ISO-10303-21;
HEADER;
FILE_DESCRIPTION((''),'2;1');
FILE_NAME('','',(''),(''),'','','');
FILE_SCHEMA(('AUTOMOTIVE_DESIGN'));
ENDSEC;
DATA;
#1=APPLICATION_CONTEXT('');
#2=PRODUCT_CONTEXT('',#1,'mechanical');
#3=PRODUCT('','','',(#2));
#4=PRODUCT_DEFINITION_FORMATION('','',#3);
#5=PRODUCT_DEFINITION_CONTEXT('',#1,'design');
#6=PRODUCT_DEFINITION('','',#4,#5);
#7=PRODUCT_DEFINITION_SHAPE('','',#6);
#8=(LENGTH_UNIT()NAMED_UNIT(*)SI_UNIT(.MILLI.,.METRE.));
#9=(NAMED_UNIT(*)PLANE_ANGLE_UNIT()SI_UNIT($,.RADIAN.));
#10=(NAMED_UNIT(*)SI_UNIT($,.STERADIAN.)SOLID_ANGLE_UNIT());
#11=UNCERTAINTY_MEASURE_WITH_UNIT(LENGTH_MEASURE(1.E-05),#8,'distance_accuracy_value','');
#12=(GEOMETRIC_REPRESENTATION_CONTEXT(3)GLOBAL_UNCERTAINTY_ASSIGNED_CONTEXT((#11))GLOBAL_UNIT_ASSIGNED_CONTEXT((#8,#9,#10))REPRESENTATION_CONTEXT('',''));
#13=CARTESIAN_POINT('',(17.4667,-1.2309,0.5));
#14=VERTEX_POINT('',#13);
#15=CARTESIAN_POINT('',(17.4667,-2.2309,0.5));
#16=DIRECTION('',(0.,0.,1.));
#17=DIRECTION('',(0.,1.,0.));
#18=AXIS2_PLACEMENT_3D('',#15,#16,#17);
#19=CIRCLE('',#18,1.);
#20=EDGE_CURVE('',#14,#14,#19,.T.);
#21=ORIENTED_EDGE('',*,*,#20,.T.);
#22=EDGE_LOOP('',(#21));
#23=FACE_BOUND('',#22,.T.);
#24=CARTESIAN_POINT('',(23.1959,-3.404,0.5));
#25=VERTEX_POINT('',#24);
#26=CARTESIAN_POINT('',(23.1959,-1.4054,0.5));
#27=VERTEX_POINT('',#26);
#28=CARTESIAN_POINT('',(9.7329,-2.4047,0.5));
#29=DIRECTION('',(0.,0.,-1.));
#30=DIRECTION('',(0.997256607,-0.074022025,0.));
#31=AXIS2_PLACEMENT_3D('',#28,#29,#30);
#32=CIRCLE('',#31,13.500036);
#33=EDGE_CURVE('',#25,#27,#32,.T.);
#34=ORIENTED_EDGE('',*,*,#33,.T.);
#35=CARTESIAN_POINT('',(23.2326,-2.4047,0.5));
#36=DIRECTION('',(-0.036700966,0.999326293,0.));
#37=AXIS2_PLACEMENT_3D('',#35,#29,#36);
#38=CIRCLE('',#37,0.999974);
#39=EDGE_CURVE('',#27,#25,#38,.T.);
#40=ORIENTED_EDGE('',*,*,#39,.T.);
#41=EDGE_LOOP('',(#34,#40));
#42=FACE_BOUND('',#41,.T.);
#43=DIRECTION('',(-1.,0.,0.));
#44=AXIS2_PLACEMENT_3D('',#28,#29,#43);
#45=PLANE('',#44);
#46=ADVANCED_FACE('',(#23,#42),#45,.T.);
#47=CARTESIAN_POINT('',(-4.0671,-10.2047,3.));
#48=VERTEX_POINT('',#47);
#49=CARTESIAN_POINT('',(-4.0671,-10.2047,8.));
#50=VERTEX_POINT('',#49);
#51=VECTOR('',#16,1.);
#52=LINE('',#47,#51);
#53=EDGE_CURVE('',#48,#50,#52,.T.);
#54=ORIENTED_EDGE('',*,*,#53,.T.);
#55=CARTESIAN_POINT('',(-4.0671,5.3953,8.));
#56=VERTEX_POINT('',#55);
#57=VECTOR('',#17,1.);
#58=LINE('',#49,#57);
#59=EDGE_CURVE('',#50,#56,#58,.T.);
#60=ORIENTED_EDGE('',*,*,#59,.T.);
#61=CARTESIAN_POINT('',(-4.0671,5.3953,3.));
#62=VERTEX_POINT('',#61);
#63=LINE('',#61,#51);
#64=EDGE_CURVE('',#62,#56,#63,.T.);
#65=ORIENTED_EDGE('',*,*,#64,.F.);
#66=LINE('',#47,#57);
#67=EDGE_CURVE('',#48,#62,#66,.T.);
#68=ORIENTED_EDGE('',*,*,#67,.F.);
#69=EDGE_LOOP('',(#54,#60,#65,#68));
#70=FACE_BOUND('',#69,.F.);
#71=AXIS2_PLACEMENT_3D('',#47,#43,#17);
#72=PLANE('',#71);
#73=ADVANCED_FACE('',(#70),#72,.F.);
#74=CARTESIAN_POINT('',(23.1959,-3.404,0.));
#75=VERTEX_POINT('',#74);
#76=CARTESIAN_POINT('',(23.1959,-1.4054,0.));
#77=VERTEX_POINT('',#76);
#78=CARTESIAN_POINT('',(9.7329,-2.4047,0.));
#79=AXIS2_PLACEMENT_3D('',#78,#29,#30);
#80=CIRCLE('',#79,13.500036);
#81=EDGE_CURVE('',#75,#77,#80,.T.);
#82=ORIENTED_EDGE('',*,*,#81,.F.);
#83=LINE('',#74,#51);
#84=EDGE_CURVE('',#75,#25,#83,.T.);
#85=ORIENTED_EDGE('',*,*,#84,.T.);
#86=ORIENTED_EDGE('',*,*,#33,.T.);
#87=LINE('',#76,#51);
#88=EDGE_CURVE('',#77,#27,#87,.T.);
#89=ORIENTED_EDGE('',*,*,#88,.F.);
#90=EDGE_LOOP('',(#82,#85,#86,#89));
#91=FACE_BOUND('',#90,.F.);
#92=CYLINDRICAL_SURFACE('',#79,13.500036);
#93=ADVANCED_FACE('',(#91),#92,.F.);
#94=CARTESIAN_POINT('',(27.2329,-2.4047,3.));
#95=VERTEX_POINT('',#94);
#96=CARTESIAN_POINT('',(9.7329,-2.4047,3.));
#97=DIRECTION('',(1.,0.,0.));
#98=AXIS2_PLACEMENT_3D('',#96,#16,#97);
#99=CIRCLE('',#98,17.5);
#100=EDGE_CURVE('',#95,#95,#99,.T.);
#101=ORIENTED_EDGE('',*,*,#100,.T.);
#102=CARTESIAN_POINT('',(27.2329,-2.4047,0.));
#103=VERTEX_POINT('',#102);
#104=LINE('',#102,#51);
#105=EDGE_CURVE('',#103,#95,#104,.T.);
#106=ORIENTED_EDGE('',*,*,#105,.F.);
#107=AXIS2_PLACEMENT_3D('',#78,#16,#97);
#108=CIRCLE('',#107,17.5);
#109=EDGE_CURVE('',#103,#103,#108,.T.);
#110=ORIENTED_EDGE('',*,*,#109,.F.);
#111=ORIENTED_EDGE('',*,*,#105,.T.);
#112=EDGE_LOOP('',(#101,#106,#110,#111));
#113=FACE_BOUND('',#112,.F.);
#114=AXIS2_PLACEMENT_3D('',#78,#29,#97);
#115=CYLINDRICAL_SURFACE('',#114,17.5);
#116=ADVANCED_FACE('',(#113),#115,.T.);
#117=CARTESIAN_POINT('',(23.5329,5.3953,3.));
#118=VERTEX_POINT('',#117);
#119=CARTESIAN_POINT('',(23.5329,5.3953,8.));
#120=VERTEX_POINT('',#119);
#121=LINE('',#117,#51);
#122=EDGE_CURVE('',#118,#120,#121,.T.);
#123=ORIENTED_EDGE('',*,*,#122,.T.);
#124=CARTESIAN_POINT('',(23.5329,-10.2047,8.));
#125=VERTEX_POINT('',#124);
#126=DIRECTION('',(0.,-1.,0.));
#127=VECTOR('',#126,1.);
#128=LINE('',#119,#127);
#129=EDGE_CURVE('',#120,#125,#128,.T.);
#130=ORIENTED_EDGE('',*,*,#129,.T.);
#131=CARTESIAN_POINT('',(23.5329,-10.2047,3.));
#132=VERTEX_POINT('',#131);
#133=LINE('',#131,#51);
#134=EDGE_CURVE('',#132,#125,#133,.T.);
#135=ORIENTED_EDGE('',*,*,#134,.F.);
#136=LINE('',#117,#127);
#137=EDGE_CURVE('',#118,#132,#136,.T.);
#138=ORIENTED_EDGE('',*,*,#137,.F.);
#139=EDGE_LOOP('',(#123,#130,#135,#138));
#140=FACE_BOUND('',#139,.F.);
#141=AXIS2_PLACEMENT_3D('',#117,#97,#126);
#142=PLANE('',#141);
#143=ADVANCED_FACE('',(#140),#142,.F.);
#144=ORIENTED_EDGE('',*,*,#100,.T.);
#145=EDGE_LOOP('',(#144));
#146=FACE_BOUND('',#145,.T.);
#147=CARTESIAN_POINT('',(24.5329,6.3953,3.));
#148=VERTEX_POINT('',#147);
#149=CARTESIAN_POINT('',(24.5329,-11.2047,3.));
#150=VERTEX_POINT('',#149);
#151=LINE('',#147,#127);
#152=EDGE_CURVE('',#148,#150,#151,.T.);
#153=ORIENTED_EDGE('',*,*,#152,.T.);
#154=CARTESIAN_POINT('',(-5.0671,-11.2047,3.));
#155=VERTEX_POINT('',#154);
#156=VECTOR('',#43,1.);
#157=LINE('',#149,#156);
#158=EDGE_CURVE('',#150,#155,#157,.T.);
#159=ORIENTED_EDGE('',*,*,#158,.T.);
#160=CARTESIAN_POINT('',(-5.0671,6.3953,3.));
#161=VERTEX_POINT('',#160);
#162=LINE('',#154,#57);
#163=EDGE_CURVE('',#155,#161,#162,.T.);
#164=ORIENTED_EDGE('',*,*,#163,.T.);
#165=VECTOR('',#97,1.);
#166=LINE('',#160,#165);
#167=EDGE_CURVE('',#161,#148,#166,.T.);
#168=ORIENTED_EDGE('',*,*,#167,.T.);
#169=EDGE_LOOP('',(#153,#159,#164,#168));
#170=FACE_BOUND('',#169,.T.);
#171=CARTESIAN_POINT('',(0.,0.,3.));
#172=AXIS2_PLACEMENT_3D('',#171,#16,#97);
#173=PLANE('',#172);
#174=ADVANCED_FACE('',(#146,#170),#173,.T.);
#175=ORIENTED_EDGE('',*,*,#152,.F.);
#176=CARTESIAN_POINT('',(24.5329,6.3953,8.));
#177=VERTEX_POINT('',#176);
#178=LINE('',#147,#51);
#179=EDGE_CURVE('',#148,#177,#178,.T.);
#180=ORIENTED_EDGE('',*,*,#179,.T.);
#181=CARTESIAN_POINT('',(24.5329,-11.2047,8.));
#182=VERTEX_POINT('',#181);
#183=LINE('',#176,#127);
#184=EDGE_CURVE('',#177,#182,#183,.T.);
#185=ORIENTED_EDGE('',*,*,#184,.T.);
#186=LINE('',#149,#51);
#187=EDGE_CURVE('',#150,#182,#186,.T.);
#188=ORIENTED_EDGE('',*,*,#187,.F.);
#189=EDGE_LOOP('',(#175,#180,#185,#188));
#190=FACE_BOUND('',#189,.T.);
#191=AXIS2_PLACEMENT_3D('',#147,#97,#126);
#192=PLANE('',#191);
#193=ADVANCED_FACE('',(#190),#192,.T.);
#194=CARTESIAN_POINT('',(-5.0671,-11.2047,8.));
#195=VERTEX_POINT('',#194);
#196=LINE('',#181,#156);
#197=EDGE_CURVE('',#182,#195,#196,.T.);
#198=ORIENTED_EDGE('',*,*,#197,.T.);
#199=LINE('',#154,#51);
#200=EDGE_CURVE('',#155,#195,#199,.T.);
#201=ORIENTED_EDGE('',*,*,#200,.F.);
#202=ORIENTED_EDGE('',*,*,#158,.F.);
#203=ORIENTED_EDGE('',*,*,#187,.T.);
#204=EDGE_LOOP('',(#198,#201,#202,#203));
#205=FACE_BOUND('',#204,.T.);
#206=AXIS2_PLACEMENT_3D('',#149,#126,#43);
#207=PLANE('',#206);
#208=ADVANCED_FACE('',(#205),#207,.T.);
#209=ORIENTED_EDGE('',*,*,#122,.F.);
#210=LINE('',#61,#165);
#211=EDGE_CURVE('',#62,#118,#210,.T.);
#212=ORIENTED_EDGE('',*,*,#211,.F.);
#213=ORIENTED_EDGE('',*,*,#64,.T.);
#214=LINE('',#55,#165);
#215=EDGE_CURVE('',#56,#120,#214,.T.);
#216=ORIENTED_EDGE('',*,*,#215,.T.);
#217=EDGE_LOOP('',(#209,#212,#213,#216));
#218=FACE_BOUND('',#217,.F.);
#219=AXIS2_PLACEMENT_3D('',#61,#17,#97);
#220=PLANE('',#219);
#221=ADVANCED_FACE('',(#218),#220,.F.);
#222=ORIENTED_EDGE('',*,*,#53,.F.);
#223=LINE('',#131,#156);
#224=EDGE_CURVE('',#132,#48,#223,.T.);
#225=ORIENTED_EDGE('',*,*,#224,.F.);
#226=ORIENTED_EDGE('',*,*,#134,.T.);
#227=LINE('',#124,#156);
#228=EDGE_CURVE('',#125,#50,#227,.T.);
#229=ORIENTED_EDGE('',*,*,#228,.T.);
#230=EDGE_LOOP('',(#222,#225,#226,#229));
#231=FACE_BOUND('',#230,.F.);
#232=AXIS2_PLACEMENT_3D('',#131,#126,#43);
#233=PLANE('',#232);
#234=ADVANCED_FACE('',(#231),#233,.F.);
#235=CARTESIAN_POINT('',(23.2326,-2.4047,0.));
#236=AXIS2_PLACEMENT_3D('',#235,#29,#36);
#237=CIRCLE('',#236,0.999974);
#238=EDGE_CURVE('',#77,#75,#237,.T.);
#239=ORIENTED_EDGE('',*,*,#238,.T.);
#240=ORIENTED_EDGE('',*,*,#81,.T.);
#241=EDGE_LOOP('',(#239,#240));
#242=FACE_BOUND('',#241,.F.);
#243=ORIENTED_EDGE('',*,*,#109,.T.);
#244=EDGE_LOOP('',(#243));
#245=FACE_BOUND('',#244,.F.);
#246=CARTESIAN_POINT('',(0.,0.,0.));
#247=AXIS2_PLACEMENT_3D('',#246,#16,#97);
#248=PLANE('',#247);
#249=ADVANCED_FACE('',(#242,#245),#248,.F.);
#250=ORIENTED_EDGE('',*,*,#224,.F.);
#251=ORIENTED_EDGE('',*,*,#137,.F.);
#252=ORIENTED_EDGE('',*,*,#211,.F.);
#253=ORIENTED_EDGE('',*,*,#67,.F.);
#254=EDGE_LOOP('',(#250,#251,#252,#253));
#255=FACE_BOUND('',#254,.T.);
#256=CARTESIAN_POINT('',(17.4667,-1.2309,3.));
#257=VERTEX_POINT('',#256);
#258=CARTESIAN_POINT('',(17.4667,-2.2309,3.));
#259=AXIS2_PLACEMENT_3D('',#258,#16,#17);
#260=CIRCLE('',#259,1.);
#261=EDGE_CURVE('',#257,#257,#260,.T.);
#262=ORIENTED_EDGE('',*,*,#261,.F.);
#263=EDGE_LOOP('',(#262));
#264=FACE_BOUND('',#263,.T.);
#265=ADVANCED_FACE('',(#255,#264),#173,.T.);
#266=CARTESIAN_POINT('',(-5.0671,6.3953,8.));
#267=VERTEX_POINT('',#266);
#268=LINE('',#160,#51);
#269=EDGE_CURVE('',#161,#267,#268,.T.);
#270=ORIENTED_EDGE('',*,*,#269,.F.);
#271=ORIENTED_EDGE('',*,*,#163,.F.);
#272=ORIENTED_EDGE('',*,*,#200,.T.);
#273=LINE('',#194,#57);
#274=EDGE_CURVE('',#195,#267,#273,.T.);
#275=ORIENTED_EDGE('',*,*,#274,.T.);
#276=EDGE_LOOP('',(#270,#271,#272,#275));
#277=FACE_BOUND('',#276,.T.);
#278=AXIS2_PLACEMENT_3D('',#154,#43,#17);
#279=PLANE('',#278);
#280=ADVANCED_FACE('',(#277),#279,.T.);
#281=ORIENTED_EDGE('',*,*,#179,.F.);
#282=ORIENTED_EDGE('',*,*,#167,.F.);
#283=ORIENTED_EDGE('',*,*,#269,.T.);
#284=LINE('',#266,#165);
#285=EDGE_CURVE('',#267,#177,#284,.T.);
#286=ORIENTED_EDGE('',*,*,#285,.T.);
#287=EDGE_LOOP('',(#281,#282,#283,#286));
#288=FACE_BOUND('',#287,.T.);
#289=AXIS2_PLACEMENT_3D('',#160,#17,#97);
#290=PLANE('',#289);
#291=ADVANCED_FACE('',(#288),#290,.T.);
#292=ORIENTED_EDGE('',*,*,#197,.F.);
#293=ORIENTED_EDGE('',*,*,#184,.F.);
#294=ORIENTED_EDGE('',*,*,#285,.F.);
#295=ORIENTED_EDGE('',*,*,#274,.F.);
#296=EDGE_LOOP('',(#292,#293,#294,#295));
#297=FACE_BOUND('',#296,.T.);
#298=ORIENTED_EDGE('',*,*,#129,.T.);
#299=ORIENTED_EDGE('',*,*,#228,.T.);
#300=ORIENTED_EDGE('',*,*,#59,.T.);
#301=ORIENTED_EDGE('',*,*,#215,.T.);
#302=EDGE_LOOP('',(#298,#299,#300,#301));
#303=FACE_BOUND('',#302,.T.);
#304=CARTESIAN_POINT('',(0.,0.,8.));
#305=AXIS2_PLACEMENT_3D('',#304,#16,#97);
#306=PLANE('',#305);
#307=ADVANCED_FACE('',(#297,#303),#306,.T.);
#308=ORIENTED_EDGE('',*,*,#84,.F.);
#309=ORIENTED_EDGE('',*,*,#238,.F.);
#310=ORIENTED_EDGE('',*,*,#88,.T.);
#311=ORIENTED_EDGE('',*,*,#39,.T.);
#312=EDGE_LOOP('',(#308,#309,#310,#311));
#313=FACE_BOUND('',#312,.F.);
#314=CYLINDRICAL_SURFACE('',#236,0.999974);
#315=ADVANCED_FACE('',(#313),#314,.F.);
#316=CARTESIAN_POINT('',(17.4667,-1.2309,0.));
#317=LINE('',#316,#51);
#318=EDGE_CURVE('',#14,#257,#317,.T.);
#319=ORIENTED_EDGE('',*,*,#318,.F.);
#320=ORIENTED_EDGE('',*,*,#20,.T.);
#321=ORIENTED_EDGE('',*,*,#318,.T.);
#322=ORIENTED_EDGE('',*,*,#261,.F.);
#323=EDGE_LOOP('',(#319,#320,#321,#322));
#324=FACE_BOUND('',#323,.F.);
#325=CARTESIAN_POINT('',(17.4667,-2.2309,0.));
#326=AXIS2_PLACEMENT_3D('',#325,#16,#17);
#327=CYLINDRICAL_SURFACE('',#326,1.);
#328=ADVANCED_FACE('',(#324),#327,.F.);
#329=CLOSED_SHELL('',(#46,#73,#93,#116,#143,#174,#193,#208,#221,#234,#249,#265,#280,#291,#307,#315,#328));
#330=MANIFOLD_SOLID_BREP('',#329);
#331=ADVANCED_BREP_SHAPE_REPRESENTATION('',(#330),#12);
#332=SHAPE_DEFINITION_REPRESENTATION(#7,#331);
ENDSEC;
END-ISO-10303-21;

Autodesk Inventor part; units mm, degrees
ref_plane "YZ Plane" through (0, 0, 0) normal (1, 0, 0) x (0, 1, 0)
ref_plane "XZ Plane" through (0, 0, 0) normal (0, 1, 0) x (-1, 0, 0)
ref_plane "XY Plane" through (0, 0, 0) normal (0, 0, 1) x (1, 0, 0)
sketch "Boceto1" plane through (0, 0, 0) normal (0, 0, 1) x (1, 0, 0)
  line L0 (26.7329, 8.5953) -> (-7.2671, -13.4047) construction
  line L1 (-7.2671, 8.5953) -> (26.7329, -13.4047) construction
  circle A0 centre (9.7329, -2.4047) radius 17.5
  point P0 (0, 0)
  dimension "d13" = 35
extrude "Extrusión1" add sketch "Boceto1" along normal blind 3
sketch "Boceto2" plane through (0, 0, 3) normal (0, 0, 1) x (1, 0, 0)
  line L0 (-7.2671, 8.5953) -> (26.7329, -13.4047) construction
  line L1 (26.7329, 8.5953) -> (-7.2671, -13.4047) construction
  line L2 (-5.0671, 6.3953) -> (24.5329, 6.3953)
  line L3 (24.5329, 6.3953) -> (24.5329, -11.2047)
  line L4 (24.5329, -11.2047) -> (-5.0671, -11.2047)
  line L5 (-5.0671, -11.2047) -> (-5.0671, 6.3953)
  line L6 (-5.0671, 6.3953) -> (24.5329, -11.2047) construction
  line L7 (-5.0671, -11.2047) -> (24.5329, 6.3953) construction
  line L8 (-4.0671, 5.3953) -> (23.5329, 5.3953)
  line L9 (23.5329, 5.3953) -> (23.5329, -10.2047)
  line L10 (23.5329, -10.2047) -> (-4.0671, -10.2047)
  line L11 (-4.0671, -10.2047) -> (-4.0671, 5.3953)
  line L12 (-4.0671, 5.3953) -> (23.5329, -10.2047) construction
  line L13 (23.5329, 5.3953) -> (-4.0671, -10.2047) construction
  point P0 (0, 0)
  point P1 (9.7329, -2.4047)
  dimension "d4" = 29.6
  dimension "d5" = 17.6
  dimension "d6" = 27.6
  dimension "d7" = 15.6
extrude "Extrusión2" add sketch "Boceto2" along normal blind 5
sketch "Boceto5" plane through (9.7329, -2.4047, 0) normal (0, 0, -1) x (-1, 0, 0)
  arc A0 (-13.463, -0.9993) -> (-13.463, 0.9993) centre (0, 0) ccw
  arc A1 (-13.463, 0.9993) -> (-13.463, -0.9993) centre (-13.4997, 0) ccw
  point P0 (9.7329, 2.4047)
  dimension "d14" = 27
  dimension "d15" = 2
hole "Hole1" at (17.4667, -2.2309, 0) direction (0, 0, 1) diameter 2 depth 4
extrude "Extrusión3" cut sketch "Boceto5" against normal blind 0.5
equation "\"Radio_pliegue\" = Grosor"
equation "\"Anchura_desahogo_plegado\" = Grosor"
equation "\"Profundidad_desahogo_plegado\" = 0.5 * Grosor"
equation "\"Tamaño_destalonado\" = 4 * Grosor"
equation "\"Remanente_mínimo\" = 2 * Grosor"
equation "\"Radiodetransición\" = Radio_pliegue"
equation "\"Tamaño_de_radio_de_Jacobi\" = Radio_pliegue"
equation "\"TamañoSeparación\" = Grosor"
equation "\"Grosor\" = 0.5"
properties part number "Tapa2"
